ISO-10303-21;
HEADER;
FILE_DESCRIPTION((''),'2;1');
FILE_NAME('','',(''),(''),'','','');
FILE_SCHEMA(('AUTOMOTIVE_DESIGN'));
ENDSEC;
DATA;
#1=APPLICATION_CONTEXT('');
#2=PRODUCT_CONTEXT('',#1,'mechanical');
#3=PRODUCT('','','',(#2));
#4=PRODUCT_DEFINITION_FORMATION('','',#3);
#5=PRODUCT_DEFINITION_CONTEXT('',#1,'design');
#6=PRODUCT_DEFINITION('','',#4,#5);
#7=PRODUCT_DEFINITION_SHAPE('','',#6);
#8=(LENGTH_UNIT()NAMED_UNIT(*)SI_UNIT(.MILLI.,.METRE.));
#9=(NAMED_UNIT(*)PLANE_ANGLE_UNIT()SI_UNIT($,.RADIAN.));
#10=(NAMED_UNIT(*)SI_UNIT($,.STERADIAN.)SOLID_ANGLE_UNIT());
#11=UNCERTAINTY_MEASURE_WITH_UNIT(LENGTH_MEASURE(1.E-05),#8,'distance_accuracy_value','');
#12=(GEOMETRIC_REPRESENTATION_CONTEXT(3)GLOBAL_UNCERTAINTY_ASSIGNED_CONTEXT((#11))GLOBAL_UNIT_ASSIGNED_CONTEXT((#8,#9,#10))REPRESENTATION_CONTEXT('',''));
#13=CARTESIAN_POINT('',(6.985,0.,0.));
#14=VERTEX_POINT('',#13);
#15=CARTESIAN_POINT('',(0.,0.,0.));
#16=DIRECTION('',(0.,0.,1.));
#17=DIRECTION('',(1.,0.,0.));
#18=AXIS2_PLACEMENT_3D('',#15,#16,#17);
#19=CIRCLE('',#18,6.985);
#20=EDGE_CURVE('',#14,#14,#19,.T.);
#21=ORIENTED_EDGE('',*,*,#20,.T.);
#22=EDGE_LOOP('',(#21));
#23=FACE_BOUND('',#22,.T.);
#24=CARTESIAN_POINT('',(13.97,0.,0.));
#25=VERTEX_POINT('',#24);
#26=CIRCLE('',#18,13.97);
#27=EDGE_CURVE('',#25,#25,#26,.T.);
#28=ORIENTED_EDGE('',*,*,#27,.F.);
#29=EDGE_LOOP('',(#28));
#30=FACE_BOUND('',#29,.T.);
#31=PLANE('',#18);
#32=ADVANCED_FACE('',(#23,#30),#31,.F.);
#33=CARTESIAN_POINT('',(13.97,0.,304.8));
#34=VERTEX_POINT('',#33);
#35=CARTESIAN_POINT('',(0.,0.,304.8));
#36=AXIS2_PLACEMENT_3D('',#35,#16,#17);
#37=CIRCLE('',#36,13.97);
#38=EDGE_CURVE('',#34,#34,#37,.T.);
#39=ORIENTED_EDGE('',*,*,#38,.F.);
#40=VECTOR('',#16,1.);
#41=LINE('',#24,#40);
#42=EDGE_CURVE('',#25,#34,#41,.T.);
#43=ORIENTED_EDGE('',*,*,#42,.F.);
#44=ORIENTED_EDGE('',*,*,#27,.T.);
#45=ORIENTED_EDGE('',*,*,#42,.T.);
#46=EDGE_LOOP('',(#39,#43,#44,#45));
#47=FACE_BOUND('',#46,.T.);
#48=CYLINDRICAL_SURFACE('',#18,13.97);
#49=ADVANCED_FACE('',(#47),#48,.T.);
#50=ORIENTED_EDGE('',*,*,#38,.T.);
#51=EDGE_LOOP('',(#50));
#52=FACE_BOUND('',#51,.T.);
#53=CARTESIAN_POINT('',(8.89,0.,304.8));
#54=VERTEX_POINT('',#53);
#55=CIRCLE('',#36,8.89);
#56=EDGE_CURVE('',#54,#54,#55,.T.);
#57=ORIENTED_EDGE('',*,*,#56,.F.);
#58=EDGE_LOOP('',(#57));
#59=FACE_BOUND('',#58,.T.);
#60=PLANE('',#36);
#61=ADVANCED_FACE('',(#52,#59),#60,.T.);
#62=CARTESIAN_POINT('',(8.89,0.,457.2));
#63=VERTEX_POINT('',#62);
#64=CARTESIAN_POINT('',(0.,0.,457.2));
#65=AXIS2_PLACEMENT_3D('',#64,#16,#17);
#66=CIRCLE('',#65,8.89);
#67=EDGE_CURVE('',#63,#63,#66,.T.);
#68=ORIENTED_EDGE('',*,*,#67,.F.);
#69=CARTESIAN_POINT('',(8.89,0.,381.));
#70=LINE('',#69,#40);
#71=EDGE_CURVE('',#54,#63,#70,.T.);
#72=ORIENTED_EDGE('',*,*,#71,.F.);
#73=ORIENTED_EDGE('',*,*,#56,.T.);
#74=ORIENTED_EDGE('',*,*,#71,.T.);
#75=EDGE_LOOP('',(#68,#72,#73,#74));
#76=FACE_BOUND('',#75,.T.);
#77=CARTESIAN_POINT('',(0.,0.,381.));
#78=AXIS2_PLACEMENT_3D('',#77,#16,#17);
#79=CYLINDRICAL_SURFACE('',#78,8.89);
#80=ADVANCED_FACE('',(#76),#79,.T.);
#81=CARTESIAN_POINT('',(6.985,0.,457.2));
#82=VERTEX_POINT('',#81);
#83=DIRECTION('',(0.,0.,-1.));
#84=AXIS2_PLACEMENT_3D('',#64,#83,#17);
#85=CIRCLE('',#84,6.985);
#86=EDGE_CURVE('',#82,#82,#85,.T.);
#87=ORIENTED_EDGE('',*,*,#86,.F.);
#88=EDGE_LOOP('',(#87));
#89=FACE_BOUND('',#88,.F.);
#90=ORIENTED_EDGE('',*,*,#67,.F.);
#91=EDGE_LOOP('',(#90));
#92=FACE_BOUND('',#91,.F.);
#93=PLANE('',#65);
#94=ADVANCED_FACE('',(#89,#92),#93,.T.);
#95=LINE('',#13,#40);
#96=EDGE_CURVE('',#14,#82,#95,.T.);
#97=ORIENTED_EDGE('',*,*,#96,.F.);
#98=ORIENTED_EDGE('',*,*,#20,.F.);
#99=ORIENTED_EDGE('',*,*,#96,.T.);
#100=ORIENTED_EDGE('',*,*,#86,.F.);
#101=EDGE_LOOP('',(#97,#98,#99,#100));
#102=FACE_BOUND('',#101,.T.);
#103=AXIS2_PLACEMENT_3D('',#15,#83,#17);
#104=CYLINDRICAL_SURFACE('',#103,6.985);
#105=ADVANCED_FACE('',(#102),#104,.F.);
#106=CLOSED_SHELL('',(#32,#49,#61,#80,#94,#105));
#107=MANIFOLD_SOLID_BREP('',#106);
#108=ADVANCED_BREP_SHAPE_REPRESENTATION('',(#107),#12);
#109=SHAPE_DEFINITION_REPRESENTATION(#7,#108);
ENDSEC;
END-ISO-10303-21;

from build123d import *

# Parameters (mm, degrees)
F0_W     = 8.89
F0_H     = 152.4
F2_R     = 6.985
F3_DEPTH = 457.201


with BuildPart() as f1:
    # F0 (on Front) → F1 (revolve)
    with BuildSketch(Plane.XZ):
        Polygon((0, 304.8), (0, 0), (13.97, 0), (13.97, 304.8), (8.89, 304.8), align=None)
        with Locations((4.445, 381)):
            Rectangle(F0_W, F0_H)
    revolve(axis=Axis((0, 0, 152.4), (0, 0, 1)))

    # F2 (on Top) → F3 (cut, through all)
    with BuildSketch(Plane.XY):
        Circle(F2_R)
    extrude(amount=F3_DEPTH, mode=Mode.SUBTRACT)


solid = f1.part
